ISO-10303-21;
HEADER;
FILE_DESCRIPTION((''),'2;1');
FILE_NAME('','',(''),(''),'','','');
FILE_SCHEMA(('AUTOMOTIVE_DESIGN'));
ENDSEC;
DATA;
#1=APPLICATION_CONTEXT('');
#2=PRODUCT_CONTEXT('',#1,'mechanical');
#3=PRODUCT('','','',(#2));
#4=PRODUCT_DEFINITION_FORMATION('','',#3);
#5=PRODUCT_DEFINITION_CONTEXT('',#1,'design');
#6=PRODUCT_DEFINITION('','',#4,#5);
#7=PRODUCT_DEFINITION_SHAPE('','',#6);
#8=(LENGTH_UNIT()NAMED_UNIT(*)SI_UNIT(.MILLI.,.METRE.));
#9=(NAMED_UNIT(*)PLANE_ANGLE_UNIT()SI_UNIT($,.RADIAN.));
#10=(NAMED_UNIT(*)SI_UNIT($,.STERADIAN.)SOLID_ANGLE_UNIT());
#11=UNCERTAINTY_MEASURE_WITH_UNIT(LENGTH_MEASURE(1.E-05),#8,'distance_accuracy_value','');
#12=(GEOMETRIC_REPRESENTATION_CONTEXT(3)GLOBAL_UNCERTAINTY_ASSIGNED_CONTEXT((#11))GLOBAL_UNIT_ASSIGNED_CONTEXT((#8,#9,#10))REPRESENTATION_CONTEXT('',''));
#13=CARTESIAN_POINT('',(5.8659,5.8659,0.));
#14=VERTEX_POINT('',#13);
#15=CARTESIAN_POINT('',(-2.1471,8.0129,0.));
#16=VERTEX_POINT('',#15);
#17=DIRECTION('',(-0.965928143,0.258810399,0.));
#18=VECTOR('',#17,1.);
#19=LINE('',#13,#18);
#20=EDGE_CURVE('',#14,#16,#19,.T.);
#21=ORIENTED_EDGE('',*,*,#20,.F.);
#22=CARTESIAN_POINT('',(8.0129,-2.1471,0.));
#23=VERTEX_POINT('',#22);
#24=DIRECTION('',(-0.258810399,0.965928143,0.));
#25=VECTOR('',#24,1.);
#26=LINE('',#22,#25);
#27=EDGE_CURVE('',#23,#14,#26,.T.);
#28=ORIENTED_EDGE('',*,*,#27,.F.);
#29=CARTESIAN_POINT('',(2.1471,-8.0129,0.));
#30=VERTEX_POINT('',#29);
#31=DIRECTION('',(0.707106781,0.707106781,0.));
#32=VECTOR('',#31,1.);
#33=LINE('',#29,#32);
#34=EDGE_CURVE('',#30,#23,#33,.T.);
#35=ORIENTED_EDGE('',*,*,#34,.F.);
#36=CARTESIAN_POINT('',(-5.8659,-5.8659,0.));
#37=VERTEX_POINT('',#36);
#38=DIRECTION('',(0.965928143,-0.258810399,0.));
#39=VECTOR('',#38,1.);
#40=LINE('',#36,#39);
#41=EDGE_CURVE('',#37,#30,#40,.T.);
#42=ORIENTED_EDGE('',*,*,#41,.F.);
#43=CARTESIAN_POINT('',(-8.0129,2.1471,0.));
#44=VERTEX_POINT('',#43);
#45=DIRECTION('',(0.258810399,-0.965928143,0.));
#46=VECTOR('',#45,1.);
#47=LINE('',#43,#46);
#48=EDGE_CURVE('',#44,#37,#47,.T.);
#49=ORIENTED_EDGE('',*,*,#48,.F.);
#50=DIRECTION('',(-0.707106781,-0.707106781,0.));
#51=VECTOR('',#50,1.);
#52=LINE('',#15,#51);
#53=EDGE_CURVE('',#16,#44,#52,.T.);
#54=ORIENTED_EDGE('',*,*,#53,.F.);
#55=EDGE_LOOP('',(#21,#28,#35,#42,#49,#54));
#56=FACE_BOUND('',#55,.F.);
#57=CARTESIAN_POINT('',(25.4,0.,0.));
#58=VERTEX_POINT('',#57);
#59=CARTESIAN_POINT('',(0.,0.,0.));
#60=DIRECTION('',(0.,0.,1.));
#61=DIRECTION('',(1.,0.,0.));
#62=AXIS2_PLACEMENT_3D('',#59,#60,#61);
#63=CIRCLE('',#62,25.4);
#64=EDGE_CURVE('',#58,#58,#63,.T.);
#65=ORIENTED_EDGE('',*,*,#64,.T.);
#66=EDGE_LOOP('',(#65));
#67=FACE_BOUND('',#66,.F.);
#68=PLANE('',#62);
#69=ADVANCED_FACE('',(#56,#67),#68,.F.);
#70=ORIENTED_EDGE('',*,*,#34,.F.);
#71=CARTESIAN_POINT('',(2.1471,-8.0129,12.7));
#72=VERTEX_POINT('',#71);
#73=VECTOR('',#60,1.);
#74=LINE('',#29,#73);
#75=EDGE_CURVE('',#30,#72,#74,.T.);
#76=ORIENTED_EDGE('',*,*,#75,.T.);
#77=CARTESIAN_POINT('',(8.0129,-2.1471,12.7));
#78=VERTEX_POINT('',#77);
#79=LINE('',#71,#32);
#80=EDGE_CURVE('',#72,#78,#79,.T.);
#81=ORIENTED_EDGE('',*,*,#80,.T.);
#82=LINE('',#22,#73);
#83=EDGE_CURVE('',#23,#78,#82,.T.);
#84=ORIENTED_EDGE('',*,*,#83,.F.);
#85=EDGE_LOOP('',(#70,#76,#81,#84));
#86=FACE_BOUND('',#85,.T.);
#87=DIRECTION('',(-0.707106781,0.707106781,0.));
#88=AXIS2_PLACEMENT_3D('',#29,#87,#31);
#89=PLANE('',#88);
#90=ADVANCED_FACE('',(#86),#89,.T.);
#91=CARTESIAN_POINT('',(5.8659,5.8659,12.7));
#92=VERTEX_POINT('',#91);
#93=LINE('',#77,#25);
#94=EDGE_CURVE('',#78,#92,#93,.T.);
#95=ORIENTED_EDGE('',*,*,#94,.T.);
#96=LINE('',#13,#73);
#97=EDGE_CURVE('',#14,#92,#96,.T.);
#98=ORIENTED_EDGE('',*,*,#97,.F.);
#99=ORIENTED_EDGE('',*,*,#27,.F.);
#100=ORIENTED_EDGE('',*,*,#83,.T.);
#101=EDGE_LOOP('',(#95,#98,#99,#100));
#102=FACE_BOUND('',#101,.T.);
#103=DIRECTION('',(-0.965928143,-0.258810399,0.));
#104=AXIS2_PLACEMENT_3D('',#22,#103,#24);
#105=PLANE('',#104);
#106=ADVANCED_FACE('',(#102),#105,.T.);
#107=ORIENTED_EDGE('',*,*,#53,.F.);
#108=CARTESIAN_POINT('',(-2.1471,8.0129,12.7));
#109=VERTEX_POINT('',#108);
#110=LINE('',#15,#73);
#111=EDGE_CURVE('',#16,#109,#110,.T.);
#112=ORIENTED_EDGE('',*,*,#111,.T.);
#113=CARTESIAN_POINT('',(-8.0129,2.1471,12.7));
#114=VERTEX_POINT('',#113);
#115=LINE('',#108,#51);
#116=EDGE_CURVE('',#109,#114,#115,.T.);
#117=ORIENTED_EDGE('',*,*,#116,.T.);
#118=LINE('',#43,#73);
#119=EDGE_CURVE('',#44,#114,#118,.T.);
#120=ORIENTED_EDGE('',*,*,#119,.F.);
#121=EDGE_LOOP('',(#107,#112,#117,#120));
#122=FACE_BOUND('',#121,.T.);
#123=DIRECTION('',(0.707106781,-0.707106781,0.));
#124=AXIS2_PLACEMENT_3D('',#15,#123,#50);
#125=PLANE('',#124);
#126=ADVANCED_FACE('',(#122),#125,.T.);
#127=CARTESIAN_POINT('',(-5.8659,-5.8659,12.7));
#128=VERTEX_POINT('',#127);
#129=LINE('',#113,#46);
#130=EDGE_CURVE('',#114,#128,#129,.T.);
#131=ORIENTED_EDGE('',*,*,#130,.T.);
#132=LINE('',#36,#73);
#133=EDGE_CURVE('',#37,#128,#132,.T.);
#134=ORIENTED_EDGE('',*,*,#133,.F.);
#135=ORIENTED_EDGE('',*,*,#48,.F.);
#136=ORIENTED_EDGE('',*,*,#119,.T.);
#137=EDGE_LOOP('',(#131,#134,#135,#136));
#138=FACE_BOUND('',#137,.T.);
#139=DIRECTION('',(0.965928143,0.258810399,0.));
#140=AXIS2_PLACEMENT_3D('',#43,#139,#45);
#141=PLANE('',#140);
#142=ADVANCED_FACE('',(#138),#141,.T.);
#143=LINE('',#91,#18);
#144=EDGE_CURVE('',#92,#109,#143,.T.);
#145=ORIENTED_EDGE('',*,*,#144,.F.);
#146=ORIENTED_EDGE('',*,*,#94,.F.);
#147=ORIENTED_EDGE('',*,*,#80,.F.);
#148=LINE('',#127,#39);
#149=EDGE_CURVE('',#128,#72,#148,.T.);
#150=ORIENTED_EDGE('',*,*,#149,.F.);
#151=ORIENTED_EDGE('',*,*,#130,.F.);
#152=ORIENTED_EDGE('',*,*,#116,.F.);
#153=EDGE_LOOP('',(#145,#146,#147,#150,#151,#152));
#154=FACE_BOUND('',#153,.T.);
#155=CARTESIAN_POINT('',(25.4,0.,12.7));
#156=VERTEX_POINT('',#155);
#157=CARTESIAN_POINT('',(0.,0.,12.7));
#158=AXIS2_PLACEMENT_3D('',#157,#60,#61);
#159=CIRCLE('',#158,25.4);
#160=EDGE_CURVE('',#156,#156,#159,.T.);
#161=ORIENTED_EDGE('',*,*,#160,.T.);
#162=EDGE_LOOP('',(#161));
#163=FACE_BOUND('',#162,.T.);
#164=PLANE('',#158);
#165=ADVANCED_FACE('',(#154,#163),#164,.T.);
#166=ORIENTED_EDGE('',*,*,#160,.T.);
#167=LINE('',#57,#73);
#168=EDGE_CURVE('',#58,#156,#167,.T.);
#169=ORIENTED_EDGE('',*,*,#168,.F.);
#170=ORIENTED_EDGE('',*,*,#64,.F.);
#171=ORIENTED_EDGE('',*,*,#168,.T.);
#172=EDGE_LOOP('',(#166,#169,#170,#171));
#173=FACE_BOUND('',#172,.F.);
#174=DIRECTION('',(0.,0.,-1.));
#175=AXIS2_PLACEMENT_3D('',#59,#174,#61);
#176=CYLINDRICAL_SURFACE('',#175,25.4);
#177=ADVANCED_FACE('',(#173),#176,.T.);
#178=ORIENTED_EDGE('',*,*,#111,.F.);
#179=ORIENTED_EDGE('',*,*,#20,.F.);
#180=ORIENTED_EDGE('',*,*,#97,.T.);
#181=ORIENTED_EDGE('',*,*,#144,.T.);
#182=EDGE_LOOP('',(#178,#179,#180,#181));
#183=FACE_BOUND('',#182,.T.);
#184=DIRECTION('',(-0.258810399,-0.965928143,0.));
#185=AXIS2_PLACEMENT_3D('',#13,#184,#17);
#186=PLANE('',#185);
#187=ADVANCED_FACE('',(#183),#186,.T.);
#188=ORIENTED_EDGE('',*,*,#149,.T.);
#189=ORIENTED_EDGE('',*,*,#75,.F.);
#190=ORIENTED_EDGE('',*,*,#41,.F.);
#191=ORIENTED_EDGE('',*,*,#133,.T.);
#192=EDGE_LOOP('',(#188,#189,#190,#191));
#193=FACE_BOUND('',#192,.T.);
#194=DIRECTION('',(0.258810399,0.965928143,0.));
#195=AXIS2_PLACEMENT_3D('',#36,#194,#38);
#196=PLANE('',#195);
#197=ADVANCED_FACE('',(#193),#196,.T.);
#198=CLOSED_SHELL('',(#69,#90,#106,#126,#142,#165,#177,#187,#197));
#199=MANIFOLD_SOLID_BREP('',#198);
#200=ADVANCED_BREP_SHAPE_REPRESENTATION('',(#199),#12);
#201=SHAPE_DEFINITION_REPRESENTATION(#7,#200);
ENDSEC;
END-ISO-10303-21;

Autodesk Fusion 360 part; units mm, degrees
sketch "Sketch1" plane through (0, 0, 0) normal (0, 0, 1) x (1, 0, 0)
  circle A0 centre (0, 0) radius 25.4
  line L0 (8.0129, -2.1471) -> (5.8659, 5.8659)
  line L1 (5.8659, 5.8659) -> (-2.1471, 8.0129)
  line L2 (-2.1471, 8.0129) -> (-8.0129, 2.1471)
  line L3 (-8.0129, 2.1471) -> (-5.8659, -5.8659)
  line L4 (-5.8659, -5.8659) -> (2.1471, -8.0129)
  line L5 (2.1471, -8.0129) -> (8.0129, -2.1471)
  dimension "d1" = 50.8
extrude "Extrude1" add sketch "Sketch1" along normal blind 12.7
